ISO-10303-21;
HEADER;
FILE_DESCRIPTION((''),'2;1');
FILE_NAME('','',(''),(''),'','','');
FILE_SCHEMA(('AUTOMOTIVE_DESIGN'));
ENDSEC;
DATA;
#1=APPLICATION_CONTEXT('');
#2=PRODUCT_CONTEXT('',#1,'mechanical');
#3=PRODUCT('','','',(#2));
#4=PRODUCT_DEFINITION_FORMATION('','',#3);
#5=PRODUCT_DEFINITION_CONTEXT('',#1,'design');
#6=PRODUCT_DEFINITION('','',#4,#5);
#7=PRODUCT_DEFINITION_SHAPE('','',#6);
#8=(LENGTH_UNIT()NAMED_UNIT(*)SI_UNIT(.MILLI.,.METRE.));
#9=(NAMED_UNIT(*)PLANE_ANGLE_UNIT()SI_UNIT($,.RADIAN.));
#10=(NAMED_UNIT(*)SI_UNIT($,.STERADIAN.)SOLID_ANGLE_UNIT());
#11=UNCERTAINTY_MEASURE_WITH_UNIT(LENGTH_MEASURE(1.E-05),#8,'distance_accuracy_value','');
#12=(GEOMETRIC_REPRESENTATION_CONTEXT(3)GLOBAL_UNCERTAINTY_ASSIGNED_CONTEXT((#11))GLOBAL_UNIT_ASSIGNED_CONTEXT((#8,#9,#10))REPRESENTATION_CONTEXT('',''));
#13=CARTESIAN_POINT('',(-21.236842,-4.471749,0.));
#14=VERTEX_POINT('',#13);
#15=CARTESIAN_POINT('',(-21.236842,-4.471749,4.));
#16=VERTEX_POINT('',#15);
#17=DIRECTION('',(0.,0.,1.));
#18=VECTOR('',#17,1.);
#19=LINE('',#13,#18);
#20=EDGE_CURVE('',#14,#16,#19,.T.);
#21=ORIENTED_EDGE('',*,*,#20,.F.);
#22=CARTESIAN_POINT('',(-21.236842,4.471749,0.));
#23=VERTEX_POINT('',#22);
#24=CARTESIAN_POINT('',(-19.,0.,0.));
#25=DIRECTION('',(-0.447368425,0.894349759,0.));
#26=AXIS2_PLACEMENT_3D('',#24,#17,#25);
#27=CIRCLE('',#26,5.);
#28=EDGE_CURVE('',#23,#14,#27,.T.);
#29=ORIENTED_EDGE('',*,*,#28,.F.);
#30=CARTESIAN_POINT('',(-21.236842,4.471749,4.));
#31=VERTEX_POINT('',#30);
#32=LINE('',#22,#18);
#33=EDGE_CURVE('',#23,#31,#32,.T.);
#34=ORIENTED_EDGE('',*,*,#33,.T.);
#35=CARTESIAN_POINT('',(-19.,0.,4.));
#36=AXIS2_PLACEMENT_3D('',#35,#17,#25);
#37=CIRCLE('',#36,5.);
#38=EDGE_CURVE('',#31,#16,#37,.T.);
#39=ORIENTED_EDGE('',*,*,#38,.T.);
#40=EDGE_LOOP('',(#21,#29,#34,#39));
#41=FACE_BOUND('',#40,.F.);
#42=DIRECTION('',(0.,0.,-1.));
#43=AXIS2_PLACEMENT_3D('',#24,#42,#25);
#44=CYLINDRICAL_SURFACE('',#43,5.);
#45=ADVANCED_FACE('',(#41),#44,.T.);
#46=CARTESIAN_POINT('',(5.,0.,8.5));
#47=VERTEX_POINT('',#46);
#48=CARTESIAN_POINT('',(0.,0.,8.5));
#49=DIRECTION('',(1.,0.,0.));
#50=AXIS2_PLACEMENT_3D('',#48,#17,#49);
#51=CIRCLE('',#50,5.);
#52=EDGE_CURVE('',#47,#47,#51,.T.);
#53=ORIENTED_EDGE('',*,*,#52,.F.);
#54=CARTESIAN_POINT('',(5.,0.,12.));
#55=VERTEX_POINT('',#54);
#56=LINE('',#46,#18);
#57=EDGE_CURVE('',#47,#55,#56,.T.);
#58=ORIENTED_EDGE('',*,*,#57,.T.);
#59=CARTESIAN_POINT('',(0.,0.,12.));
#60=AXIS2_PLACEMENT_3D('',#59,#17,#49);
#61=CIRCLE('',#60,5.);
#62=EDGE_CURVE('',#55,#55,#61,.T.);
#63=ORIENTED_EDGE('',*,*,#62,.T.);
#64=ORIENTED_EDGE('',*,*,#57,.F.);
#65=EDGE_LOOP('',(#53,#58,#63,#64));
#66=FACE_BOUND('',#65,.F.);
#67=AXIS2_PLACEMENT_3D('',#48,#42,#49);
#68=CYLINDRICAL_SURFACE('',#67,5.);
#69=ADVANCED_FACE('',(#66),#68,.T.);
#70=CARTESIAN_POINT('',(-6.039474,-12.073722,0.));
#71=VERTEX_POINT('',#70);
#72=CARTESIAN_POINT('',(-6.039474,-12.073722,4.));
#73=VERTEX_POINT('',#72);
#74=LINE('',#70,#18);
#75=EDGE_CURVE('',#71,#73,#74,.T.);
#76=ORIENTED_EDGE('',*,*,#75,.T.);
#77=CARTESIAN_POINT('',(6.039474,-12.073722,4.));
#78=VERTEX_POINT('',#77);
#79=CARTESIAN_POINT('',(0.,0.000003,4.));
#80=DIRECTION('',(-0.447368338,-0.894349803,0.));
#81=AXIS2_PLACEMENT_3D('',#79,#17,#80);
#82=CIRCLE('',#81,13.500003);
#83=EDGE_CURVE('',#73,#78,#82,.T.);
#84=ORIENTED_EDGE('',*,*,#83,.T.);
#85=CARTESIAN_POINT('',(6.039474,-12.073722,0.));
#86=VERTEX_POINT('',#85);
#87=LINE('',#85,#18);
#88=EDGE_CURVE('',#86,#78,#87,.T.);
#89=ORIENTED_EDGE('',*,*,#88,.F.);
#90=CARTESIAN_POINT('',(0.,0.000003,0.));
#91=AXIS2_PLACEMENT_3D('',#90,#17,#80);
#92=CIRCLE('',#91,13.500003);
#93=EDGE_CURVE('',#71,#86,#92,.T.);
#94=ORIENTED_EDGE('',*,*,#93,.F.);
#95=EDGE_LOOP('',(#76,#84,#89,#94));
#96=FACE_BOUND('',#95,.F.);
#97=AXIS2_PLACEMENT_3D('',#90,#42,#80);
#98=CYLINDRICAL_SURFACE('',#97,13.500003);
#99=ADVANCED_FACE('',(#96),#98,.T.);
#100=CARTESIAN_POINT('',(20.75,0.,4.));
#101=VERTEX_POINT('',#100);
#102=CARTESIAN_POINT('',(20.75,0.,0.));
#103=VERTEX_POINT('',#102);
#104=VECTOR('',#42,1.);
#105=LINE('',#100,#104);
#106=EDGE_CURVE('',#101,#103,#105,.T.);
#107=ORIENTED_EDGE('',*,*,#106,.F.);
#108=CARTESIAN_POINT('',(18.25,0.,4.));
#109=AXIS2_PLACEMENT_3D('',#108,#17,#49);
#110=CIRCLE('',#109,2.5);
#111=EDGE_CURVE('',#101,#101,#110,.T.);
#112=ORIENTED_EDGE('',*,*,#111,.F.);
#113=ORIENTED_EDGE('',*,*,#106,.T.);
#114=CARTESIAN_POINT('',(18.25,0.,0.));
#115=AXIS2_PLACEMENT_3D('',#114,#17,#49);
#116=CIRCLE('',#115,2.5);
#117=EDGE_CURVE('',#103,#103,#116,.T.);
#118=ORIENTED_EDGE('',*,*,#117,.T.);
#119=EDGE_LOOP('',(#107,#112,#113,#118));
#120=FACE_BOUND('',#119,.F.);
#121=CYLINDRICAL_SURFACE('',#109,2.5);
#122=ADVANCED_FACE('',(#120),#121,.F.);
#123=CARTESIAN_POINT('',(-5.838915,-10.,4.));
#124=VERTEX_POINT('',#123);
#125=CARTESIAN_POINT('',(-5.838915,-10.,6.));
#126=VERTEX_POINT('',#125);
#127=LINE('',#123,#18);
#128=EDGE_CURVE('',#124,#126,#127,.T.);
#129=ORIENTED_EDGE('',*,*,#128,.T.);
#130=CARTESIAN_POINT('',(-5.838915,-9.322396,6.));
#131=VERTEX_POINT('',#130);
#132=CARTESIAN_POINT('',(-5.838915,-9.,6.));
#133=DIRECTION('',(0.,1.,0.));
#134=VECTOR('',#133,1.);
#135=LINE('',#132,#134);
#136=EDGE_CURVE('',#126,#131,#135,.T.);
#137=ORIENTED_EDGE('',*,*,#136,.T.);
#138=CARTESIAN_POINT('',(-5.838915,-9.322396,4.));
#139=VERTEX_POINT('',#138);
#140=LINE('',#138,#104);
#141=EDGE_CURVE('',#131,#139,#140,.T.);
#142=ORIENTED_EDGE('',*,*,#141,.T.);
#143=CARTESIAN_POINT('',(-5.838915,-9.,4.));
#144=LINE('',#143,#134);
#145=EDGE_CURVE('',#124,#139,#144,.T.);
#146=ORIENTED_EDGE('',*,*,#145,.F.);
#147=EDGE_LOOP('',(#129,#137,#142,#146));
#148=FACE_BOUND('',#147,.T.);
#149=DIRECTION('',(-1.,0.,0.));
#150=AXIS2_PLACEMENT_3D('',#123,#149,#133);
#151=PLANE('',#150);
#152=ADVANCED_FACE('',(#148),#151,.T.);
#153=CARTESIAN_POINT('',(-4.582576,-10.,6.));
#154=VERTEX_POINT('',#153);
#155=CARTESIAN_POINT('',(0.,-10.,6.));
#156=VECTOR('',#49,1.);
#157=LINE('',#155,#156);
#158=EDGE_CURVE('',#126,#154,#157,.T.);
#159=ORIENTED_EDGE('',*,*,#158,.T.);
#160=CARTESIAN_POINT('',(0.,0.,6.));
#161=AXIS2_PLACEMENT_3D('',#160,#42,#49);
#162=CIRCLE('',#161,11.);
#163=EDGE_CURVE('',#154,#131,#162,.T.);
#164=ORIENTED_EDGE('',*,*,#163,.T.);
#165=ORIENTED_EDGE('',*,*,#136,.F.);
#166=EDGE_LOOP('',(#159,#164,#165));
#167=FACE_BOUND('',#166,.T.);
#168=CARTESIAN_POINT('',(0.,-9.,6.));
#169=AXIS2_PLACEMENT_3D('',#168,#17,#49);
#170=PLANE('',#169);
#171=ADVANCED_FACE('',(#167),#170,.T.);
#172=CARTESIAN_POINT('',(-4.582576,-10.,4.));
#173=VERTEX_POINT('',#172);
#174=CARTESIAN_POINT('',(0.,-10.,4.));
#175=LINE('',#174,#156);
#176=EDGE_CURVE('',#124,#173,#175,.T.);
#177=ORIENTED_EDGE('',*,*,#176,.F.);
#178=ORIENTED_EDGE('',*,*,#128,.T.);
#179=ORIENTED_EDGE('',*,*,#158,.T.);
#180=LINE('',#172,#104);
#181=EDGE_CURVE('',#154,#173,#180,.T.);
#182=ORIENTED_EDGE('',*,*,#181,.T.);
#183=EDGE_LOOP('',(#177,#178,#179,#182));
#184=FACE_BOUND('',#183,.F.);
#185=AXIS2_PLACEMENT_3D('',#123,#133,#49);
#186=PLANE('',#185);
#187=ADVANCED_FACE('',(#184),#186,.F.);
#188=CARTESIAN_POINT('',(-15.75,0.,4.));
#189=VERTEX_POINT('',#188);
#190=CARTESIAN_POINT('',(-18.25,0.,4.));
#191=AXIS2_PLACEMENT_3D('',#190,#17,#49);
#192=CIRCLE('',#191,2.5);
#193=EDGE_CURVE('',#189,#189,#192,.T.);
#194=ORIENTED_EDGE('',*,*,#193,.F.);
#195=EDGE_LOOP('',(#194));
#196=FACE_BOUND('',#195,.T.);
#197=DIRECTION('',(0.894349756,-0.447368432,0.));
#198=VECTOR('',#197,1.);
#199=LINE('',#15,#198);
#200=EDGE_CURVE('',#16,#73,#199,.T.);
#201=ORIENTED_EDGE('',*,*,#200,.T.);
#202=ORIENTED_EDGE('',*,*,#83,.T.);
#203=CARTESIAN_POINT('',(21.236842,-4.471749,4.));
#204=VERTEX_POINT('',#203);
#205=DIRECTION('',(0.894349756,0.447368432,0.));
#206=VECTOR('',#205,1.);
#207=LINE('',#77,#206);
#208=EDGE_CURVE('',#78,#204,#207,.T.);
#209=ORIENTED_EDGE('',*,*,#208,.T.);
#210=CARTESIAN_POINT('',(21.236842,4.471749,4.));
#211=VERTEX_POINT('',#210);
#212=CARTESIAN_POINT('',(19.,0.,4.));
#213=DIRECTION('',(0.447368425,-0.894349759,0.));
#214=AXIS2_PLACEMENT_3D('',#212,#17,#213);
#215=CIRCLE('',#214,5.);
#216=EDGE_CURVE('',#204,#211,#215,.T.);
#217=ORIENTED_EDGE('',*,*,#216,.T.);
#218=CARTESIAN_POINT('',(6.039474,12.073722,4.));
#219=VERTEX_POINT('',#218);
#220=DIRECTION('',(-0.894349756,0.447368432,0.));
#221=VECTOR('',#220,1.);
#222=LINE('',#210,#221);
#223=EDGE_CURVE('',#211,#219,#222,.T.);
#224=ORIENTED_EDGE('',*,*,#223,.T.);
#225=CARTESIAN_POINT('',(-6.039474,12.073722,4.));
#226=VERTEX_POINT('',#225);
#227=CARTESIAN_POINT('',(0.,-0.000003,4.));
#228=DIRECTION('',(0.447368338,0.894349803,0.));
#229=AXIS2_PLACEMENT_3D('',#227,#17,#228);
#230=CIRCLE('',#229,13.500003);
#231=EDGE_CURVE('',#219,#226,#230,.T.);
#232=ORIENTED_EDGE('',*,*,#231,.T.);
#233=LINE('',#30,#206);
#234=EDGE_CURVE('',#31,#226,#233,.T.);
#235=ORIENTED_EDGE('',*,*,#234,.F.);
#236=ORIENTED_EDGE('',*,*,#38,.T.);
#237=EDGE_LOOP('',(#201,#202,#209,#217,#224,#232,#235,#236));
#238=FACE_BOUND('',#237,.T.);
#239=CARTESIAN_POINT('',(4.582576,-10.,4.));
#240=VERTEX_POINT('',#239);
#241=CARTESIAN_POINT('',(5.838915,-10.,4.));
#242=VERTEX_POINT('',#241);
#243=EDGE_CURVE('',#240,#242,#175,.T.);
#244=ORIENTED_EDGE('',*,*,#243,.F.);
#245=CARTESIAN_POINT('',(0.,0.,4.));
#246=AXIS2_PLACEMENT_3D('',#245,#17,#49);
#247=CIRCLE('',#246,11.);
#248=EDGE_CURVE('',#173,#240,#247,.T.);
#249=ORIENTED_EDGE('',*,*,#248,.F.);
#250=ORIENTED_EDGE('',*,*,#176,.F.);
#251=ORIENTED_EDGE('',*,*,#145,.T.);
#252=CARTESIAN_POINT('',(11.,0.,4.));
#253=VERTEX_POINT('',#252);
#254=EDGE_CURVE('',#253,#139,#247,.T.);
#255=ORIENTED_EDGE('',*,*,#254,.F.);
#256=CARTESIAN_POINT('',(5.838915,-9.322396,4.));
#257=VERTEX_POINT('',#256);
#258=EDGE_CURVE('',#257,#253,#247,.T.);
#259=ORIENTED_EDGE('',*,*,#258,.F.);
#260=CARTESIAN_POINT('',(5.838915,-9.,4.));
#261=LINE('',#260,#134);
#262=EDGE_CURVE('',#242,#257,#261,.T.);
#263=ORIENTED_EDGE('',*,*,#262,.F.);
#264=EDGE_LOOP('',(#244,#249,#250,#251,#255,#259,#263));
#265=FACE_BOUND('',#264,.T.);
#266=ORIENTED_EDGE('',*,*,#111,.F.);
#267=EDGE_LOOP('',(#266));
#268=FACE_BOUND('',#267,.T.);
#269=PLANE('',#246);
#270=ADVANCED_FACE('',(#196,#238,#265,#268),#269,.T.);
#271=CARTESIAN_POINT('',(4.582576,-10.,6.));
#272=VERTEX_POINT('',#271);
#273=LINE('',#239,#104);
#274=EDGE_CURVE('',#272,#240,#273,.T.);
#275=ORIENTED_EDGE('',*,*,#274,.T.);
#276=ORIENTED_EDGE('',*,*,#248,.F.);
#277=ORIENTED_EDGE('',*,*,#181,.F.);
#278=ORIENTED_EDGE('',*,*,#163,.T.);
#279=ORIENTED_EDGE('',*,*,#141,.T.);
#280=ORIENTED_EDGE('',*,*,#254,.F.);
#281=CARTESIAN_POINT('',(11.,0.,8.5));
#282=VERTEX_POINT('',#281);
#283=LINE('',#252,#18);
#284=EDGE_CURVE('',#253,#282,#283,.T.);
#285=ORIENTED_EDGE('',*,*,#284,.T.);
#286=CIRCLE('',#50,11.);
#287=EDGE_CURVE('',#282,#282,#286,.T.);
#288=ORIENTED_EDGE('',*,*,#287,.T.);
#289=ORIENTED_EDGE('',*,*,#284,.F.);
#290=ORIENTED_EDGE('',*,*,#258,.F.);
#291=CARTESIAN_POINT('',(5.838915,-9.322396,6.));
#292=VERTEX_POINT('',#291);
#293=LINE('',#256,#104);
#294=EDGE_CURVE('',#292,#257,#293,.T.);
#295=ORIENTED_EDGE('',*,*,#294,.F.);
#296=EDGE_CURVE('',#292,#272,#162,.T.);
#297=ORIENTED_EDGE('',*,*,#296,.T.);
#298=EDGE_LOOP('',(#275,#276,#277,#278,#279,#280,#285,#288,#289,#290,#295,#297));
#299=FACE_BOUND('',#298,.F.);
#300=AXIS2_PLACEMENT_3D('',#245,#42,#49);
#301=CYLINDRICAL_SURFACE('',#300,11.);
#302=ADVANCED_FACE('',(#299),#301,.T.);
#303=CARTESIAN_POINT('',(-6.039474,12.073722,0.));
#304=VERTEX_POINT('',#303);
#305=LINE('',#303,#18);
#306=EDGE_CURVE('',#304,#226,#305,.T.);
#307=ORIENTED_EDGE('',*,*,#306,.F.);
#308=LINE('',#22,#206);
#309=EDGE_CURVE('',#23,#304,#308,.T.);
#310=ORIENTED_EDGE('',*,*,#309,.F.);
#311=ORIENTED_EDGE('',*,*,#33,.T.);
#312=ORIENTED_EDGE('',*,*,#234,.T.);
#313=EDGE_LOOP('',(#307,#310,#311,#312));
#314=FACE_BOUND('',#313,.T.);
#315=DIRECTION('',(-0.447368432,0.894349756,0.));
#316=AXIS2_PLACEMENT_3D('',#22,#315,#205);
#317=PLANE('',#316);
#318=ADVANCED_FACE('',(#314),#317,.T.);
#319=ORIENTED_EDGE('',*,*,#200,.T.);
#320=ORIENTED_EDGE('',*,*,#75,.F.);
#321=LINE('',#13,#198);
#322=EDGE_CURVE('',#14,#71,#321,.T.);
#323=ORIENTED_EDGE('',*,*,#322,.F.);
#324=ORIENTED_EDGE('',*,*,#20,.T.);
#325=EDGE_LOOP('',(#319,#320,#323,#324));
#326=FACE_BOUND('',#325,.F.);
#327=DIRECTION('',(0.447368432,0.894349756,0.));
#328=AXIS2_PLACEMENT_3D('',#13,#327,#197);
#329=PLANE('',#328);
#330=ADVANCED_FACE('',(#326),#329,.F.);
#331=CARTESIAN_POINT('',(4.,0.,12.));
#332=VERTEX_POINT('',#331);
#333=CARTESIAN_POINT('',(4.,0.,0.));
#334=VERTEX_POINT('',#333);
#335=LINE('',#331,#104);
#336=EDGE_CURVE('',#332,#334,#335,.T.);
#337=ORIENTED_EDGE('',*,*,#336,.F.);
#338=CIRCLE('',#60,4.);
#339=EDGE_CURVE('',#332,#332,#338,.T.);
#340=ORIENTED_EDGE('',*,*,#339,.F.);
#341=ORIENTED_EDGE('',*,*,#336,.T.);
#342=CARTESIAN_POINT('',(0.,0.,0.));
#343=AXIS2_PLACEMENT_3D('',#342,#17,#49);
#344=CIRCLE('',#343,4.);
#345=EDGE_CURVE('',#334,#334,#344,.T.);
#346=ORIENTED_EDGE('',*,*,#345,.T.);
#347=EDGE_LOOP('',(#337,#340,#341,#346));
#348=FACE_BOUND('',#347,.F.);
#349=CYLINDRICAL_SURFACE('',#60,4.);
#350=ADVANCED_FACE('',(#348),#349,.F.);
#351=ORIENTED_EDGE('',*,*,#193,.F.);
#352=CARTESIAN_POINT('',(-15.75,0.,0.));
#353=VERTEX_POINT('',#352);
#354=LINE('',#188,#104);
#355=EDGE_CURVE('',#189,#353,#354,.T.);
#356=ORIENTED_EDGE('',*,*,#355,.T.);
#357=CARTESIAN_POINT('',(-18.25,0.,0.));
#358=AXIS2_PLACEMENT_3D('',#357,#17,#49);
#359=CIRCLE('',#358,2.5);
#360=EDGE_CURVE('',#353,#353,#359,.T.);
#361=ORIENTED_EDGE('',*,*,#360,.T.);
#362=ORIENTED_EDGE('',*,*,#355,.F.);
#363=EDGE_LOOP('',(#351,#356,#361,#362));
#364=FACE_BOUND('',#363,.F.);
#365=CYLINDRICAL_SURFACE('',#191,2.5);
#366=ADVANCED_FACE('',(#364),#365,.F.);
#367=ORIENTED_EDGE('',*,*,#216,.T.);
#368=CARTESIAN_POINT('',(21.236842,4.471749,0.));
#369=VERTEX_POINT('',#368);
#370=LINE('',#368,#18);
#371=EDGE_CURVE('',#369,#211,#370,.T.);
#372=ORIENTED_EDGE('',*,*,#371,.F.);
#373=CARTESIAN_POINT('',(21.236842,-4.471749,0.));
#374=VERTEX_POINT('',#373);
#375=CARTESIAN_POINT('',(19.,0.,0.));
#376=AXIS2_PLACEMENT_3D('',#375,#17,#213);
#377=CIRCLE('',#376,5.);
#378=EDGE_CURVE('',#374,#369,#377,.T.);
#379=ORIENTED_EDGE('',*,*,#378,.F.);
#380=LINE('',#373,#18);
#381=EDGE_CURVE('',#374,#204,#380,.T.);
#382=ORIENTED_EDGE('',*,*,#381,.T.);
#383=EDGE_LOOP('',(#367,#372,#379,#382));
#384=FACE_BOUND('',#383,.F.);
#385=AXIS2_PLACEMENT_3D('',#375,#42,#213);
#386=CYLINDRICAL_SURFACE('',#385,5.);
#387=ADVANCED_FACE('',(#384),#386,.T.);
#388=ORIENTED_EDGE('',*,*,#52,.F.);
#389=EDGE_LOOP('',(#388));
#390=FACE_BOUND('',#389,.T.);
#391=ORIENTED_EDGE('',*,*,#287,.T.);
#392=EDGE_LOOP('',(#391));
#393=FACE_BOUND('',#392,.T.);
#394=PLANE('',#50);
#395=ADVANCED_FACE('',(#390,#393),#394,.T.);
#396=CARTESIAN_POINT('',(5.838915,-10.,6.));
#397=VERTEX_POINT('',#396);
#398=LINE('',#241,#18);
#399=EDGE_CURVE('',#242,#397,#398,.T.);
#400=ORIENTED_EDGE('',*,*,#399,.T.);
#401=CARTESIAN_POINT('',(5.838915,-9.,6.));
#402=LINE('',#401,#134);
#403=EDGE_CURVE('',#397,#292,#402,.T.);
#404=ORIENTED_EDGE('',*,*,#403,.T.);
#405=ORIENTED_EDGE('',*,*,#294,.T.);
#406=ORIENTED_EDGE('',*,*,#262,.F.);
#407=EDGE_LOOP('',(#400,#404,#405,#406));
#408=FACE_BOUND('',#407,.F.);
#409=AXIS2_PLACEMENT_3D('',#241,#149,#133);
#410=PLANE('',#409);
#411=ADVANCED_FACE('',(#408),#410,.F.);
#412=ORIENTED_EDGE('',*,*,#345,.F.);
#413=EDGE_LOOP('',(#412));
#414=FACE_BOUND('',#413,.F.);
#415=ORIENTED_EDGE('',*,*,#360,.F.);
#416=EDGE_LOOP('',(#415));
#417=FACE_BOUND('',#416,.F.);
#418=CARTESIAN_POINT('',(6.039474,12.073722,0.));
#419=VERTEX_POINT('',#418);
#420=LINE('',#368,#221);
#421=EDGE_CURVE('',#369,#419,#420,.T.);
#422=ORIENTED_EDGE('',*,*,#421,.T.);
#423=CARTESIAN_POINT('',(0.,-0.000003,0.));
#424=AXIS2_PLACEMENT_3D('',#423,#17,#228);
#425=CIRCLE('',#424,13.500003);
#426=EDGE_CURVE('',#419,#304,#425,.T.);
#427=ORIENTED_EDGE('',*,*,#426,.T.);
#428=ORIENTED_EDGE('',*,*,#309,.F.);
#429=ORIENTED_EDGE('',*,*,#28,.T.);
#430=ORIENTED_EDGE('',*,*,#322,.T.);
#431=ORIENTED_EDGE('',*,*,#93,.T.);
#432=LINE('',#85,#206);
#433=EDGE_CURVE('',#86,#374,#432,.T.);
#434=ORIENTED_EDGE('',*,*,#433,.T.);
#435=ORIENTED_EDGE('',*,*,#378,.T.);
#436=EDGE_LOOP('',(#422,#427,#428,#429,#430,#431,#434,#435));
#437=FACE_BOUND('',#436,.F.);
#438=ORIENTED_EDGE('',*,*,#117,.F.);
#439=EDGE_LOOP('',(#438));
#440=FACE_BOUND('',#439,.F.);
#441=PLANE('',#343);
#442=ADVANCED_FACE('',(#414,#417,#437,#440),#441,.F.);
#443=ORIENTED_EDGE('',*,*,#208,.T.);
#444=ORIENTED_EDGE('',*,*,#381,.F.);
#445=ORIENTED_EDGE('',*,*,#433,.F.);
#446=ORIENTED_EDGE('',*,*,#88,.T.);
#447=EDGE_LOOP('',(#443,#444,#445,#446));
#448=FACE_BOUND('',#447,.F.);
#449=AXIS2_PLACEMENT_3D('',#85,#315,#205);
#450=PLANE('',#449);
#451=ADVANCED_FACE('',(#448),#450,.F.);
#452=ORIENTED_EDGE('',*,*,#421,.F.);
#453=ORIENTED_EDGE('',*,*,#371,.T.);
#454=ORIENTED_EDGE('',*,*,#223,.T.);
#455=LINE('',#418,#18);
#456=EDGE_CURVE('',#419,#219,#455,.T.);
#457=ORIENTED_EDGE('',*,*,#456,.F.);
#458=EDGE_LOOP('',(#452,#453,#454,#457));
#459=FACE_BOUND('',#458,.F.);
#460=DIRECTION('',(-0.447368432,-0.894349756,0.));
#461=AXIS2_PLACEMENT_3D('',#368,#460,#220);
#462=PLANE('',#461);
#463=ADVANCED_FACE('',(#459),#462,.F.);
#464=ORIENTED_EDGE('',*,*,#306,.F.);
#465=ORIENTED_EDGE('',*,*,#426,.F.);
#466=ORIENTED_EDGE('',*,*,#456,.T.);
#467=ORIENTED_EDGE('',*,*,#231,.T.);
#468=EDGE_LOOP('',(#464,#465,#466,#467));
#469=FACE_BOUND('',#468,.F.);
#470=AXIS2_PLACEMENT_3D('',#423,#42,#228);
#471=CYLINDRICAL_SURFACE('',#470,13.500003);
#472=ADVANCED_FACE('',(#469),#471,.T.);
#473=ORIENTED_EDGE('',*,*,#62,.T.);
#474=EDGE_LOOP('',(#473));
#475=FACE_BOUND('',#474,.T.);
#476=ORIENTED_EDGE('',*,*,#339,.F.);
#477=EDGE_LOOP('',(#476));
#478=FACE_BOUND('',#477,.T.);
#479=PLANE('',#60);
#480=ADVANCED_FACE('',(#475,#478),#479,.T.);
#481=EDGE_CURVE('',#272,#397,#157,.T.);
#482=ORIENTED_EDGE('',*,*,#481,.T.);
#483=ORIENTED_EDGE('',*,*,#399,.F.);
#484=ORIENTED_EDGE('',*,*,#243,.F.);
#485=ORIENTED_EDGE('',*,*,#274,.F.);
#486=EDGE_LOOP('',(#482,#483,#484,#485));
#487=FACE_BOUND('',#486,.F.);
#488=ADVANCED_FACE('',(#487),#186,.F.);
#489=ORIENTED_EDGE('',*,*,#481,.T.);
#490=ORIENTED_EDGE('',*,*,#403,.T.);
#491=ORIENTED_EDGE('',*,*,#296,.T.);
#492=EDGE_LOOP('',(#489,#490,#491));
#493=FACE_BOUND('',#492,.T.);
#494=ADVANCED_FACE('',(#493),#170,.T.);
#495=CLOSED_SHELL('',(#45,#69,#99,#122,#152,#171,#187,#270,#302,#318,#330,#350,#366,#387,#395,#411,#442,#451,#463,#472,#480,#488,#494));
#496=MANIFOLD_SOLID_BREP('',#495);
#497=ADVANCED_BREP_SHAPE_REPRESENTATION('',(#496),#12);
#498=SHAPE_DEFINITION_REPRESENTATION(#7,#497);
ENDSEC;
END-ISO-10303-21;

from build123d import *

# Parameters (mm, degrees)
PAD_DEPTH       = 4
SKETCH001_R     = 2.5
POCKET_DEPTH    = 4.001
SKETCH002_R     = 11
PAD001_DEPTH    = 4.5
SKETCH003_R     = 5
PAD002_DEPTH    = 3.5
SKETCH004_R     = 4
POCKET001_DEPTH = 12.001
SKETCH005_W     = 11.67783
SKETCH005_H     = 2
PAD003_DEPTH    = 2


with BuildPart() as part:
    # Sketch → Pad (new body)
    with BuildSketch(Plane.XY):
        with BuildLine():
            ThreePointArc((21.236842, -4.471749), (24, 0), (21.236842, 4.471749))
            Line((21.236842, 4.471749), (6.039474, 12.073722))
            ThreePointArc((6.039474, 12.073722), (0, 13.5), (-6.039474, 12.073722))
            Line((-21.236842, 4.471749), (-6.039474, 12.073722))
            ThreePointArc((-21.236842, 4.471749), (-24, 0), (-21.236842, -4.471749))
            Line((-21.236842, -4.471749), (-6.039474, -12.073722))
            ThreePointArc((-6.039474, -12.073722), (0, -13.5), (6.039474, -12.073722))
            Line((6.039474, -12.073722), (21.236842, -4.471749))
        make_face()
    extrude(amount=PAD_DEPTH)

    # Sketch001 (on Face10 of Pad) → Pocket (cut, through all)
    with BuildSketch(Plane.XY.offset(4)):
        with Locations((-18.25, 0)):
            Circle(SKETCH001_R)
        with Locations((18.25, 0)):
            Circle(SKETCH001_R)
    extrude(amount=-POCKET_DEPTH, mode=Mode.SUBTRACT)

    # Sketch002 (on Face5 of Pocket) → Pad001 (join)
    with BuildSketch(Plane.XY.offset(4)):
        Circle(SKETCH002_R)
    extrude(amount=PAD001_DEPTH)

    # Sketch003 (on Face14 of Pad001) → Pad002 (join)
    with BuildSketch(Plane.XY.offset(8.5)):
        Circle(SKETCH003_R)
    extrude(amount=PAD002_DEPTH)

    # Sketch004 (on Face16 of Pad002) → Pocket001 (cut, through all)
    with BuildSketch(Plane.XY.offset(12)):
        Circle(SKETCH004_R)
    extrude(amount=-POCKET001_DEPTH, mode=Mode.SUBTRACT)

    # Sketch005 (on Face5 of Pocket001) → Pad003 (join)
    with BuildSketch(Plane.XY.offset(4)):
        with Locations((0, -9)):
            Rectangle(SKETCH005_W, SKETCH005_H)
    extrude(amount=PAD003_DEPTH)


solid = part.part
